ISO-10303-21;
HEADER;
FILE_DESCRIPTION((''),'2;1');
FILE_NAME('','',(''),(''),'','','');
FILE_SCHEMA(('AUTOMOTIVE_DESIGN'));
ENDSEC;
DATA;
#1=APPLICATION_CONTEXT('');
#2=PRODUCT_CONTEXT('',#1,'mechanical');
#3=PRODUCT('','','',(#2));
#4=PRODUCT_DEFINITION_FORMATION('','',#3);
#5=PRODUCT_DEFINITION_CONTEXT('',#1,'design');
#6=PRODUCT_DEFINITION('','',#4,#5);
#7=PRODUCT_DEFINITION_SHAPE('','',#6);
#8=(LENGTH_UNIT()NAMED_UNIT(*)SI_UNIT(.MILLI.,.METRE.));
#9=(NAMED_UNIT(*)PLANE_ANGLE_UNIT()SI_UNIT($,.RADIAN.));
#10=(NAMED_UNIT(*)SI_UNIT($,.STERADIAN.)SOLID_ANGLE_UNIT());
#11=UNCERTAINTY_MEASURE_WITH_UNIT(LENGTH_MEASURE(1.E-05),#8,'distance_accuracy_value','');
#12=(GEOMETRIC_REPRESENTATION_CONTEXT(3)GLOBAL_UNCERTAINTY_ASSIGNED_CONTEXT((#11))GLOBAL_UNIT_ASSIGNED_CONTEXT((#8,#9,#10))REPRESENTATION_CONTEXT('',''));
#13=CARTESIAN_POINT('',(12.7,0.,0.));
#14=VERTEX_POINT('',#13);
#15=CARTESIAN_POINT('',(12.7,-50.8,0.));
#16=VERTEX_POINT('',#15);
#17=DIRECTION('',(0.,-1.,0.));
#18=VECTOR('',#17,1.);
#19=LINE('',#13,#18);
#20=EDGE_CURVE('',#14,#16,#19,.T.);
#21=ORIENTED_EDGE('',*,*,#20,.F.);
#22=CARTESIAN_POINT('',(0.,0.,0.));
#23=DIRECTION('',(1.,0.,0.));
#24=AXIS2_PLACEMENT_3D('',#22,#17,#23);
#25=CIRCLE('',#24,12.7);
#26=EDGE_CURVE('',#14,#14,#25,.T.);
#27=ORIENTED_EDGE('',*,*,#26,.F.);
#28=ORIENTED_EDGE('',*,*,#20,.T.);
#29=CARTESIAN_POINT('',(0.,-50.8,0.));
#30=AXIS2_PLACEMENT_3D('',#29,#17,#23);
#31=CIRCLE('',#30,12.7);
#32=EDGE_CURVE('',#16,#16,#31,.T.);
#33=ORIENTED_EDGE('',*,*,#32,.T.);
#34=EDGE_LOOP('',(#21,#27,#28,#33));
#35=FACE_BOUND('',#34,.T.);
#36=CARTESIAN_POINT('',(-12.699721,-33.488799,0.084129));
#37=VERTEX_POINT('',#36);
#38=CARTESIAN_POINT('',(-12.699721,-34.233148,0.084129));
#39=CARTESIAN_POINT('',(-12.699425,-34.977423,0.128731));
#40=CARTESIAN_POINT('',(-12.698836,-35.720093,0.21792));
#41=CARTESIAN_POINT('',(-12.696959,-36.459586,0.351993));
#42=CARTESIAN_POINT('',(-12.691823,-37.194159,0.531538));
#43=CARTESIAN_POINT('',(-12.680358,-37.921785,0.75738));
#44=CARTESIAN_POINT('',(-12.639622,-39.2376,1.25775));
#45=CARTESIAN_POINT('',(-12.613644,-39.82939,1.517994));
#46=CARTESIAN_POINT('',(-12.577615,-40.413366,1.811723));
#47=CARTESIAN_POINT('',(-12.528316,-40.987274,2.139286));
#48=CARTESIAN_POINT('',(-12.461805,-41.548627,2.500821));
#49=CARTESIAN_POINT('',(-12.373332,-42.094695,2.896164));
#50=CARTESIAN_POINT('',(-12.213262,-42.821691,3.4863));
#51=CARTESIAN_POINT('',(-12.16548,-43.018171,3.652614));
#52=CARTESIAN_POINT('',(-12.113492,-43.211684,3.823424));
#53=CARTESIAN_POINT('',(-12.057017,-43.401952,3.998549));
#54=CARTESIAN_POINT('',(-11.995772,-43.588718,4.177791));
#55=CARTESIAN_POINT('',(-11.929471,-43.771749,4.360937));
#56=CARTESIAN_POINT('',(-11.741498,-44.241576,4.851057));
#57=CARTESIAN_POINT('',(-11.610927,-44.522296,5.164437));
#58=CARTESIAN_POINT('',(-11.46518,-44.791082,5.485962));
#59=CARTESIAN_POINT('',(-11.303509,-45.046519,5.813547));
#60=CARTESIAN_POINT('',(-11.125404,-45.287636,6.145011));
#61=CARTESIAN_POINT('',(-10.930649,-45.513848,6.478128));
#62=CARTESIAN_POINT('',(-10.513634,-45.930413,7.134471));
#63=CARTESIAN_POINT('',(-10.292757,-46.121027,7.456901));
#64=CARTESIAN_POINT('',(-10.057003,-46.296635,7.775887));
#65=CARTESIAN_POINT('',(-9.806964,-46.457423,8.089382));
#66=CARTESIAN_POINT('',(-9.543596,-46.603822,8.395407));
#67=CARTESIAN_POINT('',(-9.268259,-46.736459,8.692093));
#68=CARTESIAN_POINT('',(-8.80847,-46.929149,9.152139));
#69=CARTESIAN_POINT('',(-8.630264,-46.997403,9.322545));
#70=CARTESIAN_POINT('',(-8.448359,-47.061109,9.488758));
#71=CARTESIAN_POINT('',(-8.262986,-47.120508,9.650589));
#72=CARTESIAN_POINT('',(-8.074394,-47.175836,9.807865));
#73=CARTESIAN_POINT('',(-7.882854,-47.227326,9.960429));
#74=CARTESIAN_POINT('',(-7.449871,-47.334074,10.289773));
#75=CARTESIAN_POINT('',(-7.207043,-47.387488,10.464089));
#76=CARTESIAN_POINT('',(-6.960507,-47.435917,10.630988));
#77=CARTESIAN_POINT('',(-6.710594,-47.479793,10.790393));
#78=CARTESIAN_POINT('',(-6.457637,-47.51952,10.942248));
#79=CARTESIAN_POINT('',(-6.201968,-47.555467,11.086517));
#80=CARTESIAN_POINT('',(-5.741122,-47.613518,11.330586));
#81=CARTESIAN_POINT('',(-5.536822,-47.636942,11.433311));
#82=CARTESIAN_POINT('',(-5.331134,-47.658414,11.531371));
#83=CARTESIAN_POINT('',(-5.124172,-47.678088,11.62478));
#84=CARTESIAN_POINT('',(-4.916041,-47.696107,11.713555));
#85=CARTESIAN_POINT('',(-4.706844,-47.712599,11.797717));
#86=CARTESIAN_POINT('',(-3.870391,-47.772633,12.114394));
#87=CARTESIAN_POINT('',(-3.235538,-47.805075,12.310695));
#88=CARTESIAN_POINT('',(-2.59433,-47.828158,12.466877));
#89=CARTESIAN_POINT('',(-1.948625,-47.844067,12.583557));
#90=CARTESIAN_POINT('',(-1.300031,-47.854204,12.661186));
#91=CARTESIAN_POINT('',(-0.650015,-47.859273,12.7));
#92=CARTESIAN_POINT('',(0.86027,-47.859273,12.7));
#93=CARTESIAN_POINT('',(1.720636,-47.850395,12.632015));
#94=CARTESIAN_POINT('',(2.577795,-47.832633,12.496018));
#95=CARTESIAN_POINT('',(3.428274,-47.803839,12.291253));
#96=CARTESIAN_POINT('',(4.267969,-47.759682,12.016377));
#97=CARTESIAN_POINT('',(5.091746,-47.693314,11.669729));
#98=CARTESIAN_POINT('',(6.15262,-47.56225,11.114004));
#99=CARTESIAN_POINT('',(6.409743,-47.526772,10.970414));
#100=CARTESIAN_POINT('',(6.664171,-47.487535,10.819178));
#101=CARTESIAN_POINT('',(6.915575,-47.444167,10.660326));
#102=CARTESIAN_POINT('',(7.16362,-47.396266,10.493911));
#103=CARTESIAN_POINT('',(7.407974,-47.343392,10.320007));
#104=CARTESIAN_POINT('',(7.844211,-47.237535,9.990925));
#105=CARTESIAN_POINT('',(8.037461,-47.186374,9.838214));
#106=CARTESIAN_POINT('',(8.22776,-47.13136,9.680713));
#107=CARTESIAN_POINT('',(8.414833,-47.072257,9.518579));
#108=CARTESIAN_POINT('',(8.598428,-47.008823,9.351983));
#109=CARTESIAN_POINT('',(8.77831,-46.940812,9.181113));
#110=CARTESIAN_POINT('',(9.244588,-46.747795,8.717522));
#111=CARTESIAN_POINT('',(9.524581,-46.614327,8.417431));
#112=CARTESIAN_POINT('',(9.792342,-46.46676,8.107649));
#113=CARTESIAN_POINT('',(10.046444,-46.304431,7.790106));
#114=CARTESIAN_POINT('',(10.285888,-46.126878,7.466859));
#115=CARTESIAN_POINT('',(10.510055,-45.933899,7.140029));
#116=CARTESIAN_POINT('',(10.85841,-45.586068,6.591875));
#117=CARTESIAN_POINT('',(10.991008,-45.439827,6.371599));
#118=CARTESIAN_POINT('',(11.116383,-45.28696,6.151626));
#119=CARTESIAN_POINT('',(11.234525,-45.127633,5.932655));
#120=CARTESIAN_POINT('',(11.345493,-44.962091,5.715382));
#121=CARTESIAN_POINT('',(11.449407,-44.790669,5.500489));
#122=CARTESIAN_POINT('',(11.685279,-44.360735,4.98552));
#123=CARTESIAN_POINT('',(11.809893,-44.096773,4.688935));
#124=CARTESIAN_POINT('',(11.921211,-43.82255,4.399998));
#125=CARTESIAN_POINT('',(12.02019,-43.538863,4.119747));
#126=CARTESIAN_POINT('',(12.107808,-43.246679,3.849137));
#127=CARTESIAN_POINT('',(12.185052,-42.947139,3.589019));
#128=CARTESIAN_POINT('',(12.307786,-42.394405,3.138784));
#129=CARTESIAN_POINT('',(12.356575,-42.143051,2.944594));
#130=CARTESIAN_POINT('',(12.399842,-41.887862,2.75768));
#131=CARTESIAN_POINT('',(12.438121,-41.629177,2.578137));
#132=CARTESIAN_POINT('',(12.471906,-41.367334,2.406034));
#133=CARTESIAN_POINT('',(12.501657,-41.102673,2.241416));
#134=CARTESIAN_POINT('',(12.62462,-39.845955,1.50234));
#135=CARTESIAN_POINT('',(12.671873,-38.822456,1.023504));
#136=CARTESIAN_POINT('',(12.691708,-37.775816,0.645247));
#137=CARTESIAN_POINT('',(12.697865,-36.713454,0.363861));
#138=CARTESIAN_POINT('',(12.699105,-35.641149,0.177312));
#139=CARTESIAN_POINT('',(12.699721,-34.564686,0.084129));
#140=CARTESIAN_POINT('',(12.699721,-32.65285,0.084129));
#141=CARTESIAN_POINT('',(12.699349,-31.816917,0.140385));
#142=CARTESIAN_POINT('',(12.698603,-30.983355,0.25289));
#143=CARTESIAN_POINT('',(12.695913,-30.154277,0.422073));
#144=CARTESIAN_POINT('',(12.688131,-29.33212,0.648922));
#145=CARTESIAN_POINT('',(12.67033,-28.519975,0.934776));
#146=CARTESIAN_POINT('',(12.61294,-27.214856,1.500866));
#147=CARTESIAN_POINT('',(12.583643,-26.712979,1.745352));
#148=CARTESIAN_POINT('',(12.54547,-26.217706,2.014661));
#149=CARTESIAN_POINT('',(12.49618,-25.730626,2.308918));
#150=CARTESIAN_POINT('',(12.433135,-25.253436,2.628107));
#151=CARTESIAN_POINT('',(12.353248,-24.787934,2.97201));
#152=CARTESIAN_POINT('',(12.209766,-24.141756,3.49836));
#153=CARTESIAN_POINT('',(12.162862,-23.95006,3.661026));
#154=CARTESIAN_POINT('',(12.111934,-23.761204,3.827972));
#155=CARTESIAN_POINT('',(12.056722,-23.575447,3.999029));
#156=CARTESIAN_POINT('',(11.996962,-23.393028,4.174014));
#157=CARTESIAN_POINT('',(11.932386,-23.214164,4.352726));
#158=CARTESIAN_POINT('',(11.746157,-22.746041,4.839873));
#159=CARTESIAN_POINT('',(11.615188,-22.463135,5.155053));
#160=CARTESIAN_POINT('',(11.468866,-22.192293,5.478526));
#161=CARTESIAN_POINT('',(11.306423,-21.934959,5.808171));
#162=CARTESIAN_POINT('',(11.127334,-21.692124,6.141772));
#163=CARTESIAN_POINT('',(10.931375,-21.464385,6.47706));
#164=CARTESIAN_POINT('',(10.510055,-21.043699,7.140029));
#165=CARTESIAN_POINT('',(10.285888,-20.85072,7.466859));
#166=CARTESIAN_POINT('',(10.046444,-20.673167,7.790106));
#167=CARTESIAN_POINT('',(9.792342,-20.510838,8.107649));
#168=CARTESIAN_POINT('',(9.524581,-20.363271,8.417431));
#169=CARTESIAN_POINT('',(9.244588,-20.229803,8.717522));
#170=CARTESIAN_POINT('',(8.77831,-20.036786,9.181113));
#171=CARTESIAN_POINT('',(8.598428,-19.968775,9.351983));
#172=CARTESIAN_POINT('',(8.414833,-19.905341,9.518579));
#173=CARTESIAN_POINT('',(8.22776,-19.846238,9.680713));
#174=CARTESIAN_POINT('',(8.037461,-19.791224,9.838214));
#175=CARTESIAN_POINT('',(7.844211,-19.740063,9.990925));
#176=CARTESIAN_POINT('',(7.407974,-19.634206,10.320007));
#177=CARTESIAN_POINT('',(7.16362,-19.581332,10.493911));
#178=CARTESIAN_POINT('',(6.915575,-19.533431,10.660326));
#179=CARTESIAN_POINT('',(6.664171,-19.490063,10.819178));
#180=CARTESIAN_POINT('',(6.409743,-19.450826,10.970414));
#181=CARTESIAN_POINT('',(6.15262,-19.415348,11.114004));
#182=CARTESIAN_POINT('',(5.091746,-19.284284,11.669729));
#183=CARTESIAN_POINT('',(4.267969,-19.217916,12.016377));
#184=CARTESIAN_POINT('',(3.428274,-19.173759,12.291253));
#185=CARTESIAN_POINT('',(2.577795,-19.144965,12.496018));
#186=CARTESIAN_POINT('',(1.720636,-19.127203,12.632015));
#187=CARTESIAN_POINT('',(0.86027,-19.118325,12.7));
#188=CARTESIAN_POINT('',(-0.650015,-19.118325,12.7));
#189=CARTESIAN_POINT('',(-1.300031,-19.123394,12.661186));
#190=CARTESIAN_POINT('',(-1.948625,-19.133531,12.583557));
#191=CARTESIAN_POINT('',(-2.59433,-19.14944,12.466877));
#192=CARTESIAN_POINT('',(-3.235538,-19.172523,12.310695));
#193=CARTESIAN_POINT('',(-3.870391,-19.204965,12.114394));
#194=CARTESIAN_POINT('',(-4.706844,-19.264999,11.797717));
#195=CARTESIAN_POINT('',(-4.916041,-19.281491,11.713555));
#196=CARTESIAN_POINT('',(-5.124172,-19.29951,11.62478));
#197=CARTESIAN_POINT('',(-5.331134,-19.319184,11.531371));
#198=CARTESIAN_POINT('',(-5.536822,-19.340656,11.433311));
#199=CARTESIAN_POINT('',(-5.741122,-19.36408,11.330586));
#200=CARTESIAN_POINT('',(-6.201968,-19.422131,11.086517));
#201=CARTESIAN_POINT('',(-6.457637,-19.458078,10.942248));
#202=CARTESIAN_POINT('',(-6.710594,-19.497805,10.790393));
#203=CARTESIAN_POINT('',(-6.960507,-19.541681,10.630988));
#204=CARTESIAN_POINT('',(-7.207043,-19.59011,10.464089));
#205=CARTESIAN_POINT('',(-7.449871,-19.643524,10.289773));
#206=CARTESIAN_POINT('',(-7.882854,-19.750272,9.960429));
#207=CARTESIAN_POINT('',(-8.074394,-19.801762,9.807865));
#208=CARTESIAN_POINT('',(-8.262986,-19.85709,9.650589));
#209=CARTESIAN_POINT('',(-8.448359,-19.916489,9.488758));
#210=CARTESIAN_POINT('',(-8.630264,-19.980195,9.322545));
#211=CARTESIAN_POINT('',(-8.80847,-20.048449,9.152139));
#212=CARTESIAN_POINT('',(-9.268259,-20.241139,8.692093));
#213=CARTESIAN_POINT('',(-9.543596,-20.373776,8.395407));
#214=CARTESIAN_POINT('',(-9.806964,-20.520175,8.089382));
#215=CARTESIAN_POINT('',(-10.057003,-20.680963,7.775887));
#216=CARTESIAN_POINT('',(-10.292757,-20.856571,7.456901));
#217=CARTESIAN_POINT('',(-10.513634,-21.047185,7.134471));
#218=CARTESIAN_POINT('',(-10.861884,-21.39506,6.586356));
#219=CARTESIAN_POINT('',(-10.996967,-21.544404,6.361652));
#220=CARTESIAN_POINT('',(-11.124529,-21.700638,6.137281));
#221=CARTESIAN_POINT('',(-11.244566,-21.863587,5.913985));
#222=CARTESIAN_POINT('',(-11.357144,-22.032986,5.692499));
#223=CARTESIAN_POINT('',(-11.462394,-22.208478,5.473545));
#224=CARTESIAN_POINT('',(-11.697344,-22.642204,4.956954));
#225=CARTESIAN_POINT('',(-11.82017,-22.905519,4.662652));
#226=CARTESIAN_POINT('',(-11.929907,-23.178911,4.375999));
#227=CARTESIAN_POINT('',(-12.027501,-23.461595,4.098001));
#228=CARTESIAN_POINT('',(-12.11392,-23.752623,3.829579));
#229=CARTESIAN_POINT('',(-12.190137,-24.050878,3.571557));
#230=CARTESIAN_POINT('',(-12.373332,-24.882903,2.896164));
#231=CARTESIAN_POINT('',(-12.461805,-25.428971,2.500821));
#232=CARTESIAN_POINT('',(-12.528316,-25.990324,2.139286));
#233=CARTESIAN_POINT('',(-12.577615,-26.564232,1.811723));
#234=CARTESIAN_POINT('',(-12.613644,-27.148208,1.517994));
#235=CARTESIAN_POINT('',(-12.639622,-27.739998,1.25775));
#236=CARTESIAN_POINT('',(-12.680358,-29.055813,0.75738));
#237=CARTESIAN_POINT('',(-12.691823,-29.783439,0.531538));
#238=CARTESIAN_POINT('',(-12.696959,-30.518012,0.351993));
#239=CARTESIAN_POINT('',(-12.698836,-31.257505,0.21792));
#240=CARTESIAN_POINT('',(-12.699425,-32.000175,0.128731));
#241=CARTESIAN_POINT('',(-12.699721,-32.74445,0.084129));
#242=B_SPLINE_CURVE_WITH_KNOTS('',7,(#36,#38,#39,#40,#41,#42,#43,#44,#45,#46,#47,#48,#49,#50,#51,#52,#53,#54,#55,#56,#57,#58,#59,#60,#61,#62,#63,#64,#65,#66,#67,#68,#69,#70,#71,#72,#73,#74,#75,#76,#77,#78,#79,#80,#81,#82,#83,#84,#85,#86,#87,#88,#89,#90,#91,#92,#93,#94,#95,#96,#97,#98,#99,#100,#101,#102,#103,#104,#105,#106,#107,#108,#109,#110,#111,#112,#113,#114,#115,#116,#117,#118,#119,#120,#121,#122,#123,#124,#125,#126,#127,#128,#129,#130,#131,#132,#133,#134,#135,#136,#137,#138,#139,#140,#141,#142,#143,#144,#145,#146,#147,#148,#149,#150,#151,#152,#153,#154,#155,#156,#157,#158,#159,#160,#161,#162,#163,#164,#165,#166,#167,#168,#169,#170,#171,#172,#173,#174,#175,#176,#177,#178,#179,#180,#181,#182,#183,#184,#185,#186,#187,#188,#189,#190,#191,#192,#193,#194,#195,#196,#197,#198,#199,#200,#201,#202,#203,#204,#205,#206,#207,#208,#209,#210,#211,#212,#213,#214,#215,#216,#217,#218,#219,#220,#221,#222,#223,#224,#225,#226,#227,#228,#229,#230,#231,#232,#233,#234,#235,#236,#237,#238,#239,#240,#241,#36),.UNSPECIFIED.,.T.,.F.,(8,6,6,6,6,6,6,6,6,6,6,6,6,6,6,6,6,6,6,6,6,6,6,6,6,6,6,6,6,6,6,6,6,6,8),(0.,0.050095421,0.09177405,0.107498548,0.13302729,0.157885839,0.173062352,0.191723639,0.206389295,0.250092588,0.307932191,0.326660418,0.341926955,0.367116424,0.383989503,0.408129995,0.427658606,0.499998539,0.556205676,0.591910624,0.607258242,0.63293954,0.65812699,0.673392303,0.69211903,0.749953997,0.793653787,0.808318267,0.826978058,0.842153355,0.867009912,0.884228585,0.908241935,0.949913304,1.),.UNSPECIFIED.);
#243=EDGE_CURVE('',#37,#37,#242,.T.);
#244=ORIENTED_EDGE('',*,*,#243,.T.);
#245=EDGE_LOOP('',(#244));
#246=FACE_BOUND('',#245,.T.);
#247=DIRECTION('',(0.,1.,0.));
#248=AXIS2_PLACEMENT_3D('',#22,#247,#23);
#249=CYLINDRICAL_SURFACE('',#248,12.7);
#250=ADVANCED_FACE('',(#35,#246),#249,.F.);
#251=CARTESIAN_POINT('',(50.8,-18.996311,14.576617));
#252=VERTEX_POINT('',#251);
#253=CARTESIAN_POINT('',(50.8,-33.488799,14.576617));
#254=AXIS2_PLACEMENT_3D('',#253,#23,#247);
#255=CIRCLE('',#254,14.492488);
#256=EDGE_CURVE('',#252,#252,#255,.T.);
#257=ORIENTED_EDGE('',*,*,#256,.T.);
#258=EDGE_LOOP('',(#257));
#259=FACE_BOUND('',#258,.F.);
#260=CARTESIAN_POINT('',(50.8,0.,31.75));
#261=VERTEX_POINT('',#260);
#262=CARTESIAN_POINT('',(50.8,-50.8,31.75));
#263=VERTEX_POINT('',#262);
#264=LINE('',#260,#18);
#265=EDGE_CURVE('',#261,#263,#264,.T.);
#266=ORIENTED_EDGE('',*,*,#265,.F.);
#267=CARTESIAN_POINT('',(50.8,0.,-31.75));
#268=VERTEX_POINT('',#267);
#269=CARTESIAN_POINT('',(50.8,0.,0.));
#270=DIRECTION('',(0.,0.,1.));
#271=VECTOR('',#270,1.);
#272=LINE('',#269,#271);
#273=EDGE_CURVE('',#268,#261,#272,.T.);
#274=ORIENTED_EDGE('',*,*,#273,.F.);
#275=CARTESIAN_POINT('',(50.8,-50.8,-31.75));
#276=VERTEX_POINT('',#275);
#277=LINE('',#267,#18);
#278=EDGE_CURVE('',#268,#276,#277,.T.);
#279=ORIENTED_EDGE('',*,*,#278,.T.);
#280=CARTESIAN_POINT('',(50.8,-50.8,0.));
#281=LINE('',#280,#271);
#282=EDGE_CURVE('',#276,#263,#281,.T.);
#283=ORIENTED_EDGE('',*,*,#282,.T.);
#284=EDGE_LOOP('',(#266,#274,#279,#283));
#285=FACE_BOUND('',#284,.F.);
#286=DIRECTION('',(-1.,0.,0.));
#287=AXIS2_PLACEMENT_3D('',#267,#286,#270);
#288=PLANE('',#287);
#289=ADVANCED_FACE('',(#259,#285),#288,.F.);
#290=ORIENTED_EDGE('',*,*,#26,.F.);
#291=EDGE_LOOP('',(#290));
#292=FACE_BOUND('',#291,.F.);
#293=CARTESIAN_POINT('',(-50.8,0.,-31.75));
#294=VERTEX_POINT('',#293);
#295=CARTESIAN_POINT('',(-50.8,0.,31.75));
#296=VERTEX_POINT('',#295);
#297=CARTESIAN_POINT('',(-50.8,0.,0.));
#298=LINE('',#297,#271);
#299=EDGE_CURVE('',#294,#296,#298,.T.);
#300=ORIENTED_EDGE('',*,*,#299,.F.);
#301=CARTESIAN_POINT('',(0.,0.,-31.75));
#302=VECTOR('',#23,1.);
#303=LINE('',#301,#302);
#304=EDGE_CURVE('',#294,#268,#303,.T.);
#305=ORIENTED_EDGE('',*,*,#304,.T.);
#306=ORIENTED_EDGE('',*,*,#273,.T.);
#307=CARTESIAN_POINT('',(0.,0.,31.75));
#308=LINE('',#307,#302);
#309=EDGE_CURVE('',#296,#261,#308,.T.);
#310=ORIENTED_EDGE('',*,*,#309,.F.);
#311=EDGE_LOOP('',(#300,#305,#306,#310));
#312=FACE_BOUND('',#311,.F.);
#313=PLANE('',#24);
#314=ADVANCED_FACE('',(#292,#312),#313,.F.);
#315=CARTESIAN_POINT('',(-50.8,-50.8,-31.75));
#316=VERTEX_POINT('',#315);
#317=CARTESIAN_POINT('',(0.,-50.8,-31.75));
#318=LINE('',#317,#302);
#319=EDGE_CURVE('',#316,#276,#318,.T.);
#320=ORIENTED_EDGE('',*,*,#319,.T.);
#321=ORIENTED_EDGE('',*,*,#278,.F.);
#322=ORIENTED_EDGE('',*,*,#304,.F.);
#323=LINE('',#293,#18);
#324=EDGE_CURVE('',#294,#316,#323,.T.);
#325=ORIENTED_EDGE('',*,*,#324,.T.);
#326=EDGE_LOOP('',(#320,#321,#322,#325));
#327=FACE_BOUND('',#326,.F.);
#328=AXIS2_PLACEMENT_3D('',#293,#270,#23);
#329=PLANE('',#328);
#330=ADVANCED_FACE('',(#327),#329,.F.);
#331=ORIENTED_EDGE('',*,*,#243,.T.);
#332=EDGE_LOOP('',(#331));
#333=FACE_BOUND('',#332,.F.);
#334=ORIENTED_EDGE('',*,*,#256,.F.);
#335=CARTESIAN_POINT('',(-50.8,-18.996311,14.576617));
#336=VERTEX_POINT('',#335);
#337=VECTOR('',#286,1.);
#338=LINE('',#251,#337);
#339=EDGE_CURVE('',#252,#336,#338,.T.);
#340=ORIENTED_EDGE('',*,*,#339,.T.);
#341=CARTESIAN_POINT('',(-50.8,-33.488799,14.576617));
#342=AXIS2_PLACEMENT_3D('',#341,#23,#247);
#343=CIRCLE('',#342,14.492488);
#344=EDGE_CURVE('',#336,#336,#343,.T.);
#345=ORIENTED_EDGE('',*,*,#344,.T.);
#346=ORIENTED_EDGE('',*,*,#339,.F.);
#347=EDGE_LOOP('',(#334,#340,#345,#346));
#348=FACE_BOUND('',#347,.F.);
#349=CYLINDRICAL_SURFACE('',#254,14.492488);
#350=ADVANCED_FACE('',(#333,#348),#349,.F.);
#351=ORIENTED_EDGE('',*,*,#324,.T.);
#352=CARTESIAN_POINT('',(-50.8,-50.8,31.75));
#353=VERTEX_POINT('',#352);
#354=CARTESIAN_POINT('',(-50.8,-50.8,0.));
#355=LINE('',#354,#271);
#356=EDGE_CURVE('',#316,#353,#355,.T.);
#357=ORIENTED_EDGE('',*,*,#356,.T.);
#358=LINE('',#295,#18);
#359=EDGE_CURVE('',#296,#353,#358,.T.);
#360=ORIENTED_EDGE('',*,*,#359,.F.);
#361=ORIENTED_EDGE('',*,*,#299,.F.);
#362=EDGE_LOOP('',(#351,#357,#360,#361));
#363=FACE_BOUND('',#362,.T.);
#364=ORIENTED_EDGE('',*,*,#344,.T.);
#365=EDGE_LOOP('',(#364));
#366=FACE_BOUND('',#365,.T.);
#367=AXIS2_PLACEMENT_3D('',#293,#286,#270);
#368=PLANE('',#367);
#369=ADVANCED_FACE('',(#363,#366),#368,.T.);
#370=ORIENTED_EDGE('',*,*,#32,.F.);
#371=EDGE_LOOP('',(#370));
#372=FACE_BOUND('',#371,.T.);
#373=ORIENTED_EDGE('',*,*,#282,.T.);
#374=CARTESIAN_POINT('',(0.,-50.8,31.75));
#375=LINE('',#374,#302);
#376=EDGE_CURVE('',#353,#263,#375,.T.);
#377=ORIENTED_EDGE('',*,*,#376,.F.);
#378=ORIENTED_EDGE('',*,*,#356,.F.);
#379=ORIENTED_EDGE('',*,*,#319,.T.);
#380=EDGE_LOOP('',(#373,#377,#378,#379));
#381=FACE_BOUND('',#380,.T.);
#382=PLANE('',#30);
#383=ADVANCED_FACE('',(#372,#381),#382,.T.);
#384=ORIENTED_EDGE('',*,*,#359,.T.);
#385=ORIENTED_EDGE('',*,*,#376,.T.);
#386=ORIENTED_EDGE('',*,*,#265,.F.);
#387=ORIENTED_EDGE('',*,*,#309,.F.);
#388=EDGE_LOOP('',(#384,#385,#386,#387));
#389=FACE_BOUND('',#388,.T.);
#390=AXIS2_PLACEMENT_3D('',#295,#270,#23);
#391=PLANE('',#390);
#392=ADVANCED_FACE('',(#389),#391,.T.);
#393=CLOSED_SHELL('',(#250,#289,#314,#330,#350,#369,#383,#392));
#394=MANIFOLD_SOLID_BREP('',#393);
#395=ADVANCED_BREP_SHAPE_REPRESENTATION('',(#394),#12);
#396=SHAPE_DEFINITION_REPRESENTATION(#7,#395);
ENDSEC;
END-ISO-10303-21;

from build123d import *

# Parameters (mm, degrees)
F0_W     = 101.6
F0_H     = 63.5
F0_R     = 12.7
F1_DEPTH = 50.8
F2_R     = 14.492488
F3_DEPTH = 101.601


with BuildPart() as f1:
    # F0 (on Front) → F1 (new body)
    with BuildSketch(Plane.XZ):
        Rectangle(F0_W, F0_H)
        Circle(F0_R, mode=Mode.SUBTRACT)
    extrude(amount=F1_DEPTH)

    # F2 (on face) → F3 (cut, through all)
    with BuildSketch(Plane.YZ.offset(50.8)):
        with Locations((-33.488799, 14.576617)):
            Circle(F2_R)
    extrude(amount=-F3_DEPTH, mode=Mode.SUBTRACT)


solid = f1.part
